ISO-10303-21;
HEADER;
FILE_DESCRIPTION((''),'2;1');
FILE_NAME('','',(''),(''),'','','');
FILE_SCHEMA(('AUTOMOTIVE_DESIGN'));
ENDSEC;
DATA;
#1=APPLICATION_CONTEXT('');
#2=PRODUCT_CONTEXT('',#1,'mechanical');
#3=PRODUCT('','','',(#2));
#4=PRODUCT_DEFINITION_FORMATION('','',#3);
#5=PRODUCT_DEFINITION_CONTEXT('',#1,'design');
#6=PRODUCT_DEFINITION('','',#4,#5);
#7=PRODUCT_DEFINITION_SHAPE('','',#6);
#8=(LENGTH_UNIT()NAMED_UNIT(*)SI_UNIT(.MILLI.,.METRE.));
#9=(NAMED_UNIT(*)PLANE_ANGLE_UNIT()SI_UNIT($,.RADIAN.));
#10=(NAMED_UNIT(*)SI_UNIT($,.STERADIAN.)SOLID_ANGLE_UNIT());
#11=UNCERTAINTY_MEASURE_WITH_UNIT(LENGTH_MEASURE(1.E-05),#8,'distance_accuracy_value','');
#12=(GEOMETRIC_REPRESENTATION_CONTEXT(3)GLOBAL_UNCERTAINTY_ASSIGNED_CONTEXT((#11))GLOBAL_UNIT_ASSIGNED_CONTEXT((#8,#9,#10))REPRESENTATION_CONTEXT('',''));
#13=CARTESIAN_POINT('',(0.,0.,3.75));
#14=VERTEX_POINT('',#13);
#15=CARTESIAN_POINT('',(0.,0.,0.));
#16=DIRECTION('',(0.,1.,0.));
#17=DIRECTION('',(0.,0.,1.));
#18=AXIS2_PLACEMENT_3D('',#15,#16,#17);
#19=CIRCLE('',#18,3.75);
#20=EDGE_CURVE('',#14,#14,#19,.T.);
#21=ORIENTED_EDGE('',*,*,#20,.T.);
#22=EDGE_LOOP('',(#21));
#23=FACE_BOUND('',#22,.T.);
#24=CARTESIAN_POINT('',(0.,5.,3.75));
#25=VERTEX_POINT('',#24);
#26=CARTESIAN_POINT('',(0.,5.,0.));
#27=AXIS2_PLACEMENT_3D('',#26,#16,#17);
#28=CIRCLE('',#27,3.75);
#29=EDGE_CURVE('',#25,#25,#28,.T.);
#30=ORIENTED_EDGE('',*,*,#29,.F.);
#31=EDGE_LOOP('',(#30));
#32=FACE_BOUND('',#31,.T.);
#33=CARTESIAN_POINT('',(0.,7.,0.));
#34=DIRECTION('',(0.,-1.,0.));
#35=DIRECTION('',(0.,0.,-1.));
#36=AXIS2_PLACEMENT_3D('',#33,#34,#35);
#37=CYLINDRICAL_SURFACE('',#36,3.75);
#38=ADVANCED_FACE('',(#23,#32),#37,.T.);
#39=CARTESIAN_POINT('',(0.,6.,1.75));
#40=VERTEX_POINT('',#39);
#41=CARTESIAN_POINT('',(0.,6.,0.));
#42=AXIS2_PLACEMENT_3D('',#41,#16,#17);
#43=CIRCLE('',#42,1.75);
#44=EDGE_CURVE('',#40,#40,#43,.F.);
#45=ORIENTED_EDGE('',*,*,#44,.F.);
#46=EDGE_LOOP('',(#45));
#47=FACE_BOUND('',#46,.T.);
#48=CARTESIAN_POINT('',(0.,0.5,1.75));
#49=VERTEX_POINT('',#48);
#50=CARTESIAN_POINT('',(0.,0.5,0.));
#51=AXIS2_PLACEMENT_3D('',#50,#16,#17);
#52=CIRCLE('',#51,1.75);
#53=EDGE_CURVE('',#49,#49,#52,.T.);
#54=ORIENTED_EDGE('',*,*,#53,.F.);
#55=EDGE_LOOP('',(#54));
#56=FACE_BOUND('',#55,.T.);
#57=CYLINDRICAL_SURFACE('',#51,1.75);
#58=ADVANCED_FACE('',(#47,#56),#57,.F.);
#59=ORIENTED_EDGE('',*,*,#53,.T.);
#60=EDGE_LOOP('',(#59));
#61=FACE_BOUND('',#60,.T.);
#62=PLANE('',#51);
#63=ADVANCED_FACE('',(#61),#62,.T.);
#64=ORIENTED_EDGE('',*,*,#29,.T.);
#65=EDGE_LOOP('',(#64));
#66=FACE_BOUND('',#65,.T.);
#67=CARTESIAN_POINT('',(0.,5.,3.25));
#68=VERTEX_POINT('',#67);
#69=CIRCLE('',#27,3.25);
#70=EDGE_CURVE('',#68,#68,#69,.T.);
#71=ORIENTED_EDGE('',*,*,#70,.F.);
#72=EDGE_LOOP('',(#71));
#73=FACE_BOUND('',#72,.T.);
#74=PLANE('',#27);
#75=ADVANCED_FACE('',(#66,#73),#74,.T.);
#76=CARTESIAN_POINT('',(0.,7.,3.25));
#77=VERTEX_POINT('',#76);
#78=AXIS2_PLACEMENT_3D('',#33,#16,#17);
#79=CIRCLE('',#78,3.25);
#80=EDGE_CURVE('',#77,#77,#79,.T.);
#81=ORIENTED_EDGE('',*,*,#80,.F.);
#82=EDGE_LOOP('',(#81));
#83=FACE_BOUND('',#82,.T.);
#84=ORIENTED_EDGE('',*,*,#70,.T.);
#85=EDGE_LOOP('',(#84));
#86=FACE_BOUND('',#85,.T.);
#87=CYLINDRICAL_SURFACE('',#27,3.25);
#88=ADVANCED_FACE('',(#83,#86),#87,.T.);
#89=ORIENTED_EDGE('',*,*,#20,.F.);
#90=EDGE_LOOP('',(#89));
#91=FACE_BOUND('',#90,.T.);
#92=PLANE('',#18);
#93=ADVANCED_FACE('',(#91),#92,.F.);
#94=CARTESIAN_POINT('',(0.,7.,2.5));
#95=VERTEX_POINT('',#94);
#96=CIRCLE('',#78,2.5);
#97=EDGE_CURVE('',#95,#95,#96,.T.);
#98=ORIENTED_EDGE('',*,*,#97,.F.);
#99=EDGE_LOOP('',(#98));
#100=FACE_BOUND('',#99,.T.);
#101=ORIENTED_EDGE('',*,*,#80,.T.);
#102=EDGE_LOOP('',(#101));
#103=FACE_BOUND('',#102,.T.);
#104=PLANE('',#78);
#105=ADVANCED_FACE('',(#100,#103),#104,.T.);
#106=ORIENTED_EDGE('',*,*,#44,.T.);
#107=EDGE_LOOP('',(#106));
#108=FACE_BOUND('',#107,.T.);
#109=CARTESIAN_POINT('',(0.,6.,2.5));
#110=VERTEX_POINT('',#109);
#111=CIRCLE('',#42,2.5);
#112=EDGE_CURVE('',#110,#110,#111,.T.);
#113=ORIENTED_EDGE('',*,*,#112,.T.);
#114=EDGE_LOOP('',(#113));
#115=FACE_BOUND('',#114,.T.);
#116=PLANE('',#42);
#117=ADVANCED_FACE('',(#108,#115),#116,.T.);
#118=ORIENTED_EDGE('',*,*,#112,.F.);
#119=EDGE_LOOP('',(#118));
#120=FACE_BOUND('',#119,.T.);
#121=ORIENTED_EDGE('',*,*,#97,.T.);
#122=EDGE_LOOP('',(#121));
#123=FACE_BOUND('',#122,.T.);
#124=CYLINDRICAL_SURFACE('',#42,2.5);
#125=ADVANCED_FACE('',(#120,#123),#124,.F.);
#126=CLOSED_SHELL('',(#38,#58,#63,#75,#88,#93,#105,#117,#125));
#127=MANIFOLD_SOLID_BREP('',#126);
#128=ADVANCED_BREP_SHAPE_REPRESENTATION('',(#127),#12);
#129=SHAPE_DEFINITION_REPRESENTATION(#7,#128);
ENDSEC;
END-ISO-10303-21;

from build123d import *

# Parameters (mm, degrees)
SKETCH1_R           = 3.75
BOSS_EXTRUDE1_DEPTH = 7
SKETCH3_R           = 3.75
SKETCH3_R_2         = 3.25
CUT_EXTRUDE1_DEPTH  = 2
SKETCH4_R           = 1.75
CUT_EXTRUDE2_DEPTH  = 6.5
SKETCH5_R           = 2.5
CUT_EXTRUDE4_DEPTH  = 1


with BuildPart() as part:
    # Sketch1 → Boss-Extrude1 (new body)
    with BuildSketch(Plane(origin=(0, 0, 0), x_dir=(1, 0, 0), z_dir=(0, 1, 0))):
        Circle(SKETCH1_R)
    extrude(amount=BOSS_EXTRUDE1_DEPTH)

    # Sketch3 → Cut-Extrude1 (cut)
    with BuildSketch(Plane(origin=(0, 7, 0), x_dir=(1, 0, 0), z_dir=(0, 1, 0))):
        Circle(SKETCH3_R)
        Circle(SKETCH3_R_2, mode=Mode.SUBTRACT)
    extrude(amount=-CUT_EXTRUDE1_DEPTH, mode=Mode.SUBTRACT)

    # Sketch4 → Cut-Extrude2 (cut)
    with BuildSketch(Plane(origin=(0, 7, 0), x_dir=(1, 0, 0), z_dir=(0, 1, 0))):
        Circle(SKETCH4_R)
    extrude(amount=-CUT_EXTRUDE2_DEPTH, mode=Mode.SUBTRACT)

    # Sketch5 → Cut-Extrude4 (cut)
    with BuildSketch(Plane(origin=(0, 7, 0), x_dir=(1, 0, 0), z_dir=(0, 1, 0))):
        Circle(SKETCH5_R)
    extrude(amount=-CUT_EXTRUDE4_DEPTH, mode=Mode.SUBTRACT)


solid = part.part
